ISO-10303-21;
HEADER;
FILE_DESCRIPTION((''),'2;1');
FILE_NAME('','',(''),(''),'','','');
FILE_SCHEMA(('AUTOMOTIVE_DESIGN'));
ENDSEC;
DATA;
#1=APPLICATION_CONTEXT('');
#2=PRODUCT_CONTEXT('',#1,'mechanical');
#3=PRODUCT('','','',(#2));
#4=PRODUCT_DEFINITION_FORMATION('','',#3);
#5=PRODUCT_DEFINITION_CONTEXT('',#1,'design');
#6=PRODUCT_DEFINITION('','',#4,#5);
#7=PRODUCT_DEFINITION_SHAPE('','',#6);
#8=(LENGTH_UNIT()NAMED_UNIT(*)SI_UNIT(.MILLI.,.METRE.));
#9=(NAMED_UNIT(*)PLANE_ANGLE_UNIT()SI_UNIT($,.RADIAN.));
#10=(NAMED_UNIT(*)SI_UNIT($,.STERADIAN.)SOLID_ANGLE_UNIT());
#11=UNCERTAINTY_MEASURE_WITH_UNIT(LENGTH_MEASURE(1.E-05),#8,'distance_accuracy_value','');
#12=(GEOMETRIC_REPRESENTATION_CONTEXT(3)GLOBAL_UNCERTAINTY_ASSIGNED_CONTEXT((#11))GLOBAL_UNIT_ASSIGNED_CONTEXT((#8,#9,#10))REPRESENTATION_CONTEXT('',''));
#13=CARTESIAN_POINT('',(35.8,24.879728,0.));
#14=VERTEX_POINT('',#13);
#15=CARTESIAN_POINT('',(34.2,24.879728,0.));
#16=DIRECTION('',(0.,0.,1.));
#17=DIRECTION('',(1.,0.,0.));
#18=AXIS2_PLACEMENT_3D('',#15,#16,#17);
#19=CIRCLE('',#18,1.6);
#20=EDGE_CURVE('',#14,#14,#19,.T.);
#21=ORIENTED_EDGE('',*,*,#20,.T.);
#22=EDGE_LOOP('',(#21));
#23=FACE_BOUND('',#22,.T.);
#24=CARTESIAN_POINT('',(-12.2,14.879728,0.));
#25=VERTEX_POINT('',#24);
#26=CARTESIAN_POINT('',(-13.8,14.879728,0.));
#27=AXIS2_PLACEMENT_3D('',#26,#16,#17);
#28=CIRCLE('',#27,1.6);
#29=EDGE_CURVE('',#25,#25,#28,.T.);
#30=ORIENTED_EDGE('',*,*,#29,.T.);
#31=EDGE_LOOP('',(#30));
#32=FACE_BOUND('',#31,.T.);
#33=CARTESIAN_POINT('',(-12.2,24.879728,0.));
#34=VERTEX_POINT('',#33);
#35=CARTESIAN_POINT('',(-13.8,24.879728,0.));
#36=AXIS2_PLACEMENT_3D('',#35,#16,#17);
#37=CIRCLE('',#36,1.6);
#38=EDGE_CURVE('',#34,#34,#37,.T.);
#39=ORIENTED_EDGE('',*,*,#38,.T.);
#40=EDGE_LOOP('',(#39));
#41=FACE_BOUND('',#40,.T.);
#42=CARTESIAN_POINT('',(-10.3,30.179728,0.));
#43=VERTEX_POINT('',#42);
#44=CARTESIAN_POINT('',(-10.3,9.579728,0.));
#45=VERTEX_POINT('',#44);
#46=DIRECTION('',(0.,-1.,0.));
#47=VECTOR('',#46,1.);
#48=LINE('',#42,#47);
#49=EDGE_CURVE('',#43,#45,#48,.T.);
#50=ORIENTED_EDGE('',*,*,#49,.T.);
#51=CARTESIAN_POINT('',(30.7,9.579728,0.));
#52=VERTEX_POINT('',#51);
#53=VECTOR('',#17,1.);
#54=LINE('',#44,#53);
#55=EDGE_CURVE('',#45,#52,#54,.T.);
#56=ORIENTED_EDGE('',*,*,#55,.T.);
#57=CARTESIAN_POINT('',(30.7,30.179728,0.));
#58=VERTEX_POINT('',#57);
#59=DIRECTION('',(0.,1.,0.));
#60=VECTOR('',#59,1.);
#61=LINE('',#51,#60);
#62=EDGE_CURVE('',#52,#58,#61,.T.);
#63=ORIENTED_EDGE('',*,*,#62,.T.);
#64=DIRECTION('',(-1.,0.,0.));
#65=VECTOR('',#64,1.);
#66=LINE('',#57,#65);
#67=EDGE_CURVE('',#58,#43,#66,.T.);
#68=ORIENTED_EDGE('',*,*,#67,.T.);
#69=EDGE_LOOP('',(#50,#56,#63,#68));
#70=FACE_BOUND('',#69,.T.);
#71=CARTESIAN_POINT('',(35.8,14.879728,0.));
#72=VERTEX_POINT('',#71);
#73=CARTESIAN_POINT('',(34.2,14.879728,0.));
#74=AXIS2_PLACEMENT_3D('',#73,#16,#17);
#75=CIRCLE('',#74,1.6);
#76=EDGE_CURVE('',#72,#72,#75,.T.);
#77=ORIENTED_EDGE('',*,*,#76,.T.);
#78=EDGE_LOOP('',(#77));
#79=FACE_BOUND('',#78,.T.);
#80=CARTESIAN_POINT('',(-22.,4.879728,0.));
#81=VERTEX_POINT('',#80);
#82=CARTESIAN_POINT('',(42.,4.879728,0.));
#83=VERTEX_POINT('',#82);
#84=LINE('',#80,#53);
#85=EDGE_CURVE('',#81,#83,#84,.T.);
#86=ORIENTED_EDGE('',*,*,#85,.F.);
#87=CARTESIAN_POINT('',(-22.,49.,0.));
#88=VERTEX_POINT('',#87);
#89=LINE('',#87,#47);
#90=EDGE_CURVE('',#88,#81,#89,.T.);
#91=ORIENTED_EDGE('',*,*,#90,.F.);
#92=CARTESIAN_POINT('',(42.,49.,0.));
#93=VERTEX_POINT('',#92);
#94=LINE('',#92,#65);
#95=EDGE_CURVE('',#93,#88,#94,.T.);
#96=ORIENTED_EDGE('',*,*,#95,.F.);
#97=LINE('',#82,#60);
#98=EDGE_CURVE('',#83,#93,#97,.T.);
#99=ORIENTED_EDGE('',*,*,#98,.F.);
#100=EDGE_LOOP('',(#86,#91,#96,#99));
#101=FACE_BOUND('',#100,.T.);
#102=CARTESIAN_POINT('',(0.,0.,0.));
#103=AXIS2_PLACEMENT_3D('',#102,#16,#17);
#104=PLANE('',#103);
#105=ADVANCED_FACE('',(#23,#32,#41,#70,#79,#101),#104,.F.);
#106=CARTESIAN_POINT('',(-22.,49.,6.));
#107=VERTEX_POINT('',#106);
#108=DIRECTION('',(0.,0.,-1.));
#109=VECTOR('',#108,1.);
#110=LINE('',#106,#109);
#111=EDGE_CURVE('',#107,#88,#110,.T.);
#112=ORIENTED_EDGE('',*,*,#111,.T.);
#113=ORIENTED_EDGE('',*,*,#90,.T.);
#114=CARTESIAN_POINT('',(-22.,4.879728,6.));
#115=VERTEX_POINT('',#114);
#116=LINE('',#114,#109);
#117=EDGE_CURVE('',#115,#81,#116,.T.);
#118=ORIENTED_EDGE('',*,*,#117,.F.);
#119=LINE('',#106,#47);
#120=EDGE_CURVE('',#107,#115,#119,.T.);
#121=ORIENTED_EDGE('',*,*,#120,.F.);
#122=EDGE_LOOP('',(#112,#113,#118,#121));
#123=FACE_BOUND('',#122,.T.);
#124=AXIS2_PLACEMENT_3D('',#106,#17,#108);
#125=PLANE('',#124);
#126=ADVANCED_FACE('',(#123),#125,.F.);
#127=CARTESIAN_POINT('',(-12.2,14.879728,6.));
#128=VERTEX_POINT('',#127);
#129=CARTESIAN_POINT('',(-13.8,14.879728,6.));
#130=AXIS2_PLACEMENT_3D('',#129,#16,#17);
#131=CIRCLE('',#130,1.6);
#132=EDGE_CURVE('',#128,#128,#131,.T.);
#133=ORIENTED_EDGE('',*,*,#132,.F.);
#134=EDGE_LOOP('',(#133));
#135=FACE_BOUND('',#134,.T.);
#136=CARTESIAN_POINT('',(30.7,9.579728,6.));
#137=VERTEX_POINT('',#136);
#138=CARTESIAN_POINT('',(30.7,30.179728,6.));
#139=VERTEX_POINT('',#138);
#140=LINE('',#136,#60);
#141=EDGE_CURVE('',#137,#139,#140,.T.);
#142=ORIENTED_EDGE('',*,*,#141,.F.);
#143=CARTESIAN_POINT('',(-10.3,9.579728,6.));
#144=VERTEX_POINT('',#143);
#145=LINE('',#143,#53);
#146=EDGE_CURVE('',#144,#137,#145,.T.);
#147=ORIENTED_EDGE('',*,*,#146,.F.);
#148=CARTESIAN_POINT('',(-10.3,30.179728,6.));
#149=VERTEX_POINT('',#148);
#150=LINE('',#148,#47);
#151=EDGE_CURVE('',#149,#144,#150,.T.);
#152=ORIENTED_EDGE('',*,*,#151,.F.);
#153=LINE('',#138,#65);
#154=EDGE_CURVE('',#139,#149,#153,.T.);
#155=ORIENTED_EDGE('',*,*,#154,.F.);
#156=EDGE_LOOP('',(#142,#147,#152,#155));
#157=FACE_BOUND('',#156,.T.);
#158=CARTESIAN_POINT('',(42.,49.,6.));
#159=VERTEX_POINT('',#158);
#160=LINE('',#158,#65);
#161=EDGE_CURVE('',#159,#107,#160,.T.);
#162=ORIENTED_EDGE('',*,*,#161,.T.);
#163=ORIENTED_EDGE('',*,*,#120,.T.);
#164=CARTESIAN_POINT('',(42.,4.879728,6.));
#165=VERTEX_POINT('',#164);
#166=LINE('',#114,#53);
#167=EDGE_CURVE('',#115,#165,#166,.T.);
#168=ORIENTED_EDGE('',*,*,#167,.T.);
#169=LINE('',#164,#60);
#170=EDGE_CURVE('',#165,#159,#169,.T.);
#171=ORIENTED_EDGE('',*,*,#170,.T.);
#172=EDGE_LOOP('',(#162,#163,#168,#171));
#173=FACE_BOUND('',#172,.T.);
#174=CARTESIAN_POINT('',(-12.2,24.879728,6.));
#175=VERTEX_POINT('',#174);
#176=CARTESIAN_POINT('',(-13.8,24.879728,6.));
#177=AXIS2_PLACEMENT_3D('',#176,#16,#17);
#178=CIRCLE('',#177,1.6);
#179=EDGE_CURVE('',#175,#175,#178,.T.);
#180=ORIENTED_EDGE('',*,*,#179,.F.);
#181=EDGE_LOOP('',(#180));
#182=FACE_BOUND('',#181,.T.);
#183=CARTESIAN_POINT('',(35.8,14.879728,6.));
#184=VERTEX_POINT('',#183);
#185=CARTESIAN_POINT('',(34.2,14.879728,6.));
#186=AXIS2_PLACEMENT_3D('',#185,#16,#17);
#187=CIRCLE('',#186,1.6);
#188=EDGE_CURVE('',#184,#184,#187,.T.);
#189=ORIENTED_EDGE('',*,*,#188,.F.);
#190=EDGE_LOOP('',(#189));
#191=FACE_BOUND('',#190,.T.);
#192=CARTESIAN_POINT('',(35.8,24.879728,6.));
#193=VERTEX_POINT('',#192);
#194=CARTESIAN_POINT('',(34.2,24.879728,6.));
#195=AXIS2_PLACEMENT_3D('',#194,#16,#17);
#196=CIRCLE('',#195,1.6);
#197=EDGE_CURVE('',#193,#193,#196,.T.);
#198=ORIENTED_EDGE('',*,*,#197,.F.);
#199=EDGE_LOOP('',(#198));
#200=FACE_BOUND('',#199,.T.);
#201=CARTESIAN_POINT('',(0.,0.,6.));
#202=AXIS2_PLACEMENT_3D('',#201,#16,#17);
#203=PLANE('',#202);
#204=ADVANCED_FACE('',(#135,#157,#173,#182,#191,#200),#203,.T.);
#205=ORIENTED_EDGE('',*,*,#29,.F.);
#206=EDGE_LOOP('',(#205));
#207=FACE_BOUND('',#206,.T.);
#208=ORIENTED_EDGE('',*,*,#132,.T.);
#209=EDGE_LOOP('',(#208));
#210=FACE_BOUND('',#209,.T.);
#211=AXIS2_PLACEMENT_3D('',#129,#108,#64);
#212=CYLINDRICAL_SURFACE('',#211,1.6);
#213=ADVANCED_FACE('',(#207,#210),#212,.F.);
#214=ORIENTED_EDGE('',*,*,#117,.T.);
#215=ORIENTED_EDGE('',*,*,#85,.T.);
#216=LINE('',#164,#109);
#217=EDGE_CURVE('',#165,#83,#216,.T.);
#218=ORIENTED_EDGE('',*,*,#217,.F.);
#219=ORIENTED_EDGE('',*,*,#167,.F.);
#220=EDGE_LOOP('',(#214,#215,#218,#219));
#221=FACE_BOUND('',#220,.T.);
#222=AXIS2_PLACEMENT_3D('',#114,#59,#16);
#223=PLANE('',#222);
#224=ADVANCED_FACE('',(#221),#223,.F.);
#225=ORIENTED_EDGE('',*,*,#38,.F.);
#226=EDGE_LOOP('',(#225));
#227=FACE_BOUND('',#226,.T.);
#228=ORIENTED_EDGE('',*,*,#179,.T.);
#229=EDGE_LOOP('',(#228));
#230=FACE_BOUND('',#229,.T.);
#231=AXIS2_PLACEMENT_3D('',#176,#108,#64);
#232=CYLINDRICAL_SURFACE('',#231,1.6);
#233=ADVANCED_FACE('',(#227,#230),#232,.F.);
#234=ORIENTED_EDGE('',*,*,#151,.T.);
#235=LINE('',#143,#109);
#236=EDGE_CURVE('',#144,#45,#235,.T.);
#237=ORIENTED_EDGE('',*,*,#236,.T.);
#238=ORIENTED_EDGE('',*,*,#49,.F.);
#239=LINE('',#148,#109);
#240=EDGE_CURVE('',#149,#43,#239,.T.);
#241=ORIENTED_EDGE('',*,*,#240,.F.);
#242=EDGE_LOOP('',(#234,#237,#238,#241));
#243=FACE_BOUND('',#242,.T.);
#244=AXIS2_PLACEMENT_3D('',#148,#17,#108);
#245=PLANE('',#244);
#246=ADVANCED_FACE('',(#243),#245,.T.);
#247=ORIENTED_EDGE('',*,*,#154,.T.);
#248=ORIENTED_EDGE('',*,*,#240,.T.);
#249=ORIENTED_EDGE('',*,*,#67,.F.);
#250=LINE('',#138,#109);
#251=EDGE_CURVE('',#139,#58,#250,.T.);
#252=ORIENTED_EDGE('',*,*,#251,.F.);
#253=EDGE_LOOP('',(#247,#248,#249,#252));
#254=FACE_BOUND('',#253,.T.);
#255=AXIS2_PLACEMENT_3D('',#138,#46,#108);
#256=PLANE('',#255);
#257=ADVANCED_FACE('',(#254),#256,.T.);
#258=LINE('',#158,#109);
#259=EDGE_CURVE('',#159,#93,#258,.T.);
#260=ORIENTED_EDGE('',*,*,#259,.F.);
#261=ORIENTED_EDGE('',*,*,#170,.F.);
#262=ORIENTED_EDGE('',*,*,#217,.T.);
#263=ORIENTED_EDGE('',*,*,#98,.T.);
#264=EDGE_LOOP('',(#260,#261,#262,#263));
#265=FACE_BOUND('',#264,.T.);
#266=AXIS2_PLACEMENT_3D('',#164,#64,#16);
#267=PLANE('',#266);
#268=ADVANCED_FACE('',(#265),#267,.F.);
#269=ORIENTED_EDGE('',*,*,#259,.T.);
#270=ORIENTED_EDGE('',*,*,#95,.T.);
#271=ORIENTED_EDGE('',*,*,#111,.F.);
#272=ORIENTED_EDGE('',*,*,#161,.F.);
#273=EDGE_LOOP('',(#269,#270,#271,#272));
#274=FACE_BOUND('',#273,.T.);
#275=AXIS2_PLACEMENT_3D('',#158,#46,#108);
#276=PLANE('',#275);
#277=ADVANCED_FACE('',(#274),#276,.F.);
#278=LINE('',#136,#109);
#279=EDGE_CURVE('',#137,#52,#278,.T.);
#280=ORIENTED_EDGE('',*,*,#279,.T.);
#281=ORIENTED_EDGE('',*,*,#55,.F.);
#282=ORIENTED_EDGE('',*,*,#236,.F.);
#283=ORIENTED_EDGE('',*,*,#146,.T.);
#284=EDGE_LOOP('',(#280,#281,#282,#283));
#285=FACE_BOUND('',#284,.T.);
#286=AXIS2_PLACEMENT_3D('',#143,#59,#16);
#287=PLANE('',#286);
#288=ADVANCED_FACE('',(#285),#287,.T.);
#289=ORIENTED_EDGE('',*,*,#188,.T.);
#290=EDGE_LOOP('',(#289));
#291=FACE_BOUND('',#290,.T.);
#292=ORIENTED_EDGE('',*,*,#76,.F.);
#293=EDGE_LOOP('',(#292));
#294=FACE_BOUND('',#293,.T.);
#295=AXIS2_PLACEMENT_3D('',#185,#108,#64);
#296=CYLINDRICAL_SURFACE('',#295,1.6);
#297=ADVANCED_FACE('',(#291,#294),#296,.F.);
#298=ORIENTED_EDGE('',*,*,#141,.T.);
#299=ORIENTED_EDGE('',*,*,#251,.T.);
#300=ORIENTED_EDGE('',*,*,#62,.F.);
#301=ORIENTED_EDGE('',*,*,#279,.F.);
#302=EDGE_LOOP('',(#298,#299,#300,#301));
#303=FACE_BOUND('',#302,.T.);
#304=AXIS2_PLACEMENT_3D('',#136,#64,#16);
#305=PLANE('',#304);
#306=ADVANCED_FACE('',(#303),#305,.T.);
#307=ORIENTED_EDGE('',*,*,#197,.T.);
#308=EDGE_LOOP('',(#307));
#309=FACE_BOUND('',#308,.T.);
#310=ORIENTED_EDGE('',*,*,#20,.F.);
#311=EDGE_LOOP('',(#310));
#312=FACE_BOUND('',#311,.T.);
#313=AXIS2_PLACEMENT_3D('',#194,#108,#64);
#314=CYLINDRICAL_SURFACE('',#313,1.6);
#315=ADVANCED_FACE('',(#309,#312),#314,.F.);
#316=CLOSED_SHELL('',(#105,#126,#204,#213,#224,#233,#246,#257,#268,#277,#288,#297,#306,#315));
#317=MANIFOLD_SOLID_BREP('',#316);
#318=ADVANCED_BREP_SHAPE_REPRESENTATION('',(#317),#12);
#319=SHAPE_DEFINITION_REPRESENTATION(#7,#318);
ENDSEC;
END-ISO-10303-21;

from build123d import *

# Parameters (mm, degrees)
SKETCH1_W           = 64
SKETCH1_H           = 44.12027238
SKETCH1_R           = 1.6
SKETCH1_W_2         = 41
SKETCH1_H_2         = 20.6
BOSS_EXTRUDE1_DEPTH = 6


with BuildPart() as part:
    # Sketch1 → Boss-Extrude1 (new body)
    with BuildSketch(Plane.XY):
        with Locations((10, 26.93986381)):
            Rectangle(SKETCH1_W, SKETCH1_H)
        with Locations((-13.8, 14.87972762)):
            Circle(SKETCH1_R, mode=Mode.SUBTRACT)
        with Locations((-13.8, 24.87972762)):
            Circle(SKETCH1_R, mode=Mode.SUBTRACT)
        with Locations((34.2, 14.87972762)):
            Circle(SKETCH1_R, mode=Mode.SUBTRACT)
        with Locations((34.2, 24.87972762)):
            Circle(SKETCH1_R, mode=Mode.SUBTRACT)
        with Locations((10.2, 19.87972762)):
            Rectangle(SKETCH1_W_2, SKETCH1_H_2, mode=Mode.SUBTRACT)
    extrude(amount=BOSS_EXTRUDE1_DEPTH)


solid = part.part
